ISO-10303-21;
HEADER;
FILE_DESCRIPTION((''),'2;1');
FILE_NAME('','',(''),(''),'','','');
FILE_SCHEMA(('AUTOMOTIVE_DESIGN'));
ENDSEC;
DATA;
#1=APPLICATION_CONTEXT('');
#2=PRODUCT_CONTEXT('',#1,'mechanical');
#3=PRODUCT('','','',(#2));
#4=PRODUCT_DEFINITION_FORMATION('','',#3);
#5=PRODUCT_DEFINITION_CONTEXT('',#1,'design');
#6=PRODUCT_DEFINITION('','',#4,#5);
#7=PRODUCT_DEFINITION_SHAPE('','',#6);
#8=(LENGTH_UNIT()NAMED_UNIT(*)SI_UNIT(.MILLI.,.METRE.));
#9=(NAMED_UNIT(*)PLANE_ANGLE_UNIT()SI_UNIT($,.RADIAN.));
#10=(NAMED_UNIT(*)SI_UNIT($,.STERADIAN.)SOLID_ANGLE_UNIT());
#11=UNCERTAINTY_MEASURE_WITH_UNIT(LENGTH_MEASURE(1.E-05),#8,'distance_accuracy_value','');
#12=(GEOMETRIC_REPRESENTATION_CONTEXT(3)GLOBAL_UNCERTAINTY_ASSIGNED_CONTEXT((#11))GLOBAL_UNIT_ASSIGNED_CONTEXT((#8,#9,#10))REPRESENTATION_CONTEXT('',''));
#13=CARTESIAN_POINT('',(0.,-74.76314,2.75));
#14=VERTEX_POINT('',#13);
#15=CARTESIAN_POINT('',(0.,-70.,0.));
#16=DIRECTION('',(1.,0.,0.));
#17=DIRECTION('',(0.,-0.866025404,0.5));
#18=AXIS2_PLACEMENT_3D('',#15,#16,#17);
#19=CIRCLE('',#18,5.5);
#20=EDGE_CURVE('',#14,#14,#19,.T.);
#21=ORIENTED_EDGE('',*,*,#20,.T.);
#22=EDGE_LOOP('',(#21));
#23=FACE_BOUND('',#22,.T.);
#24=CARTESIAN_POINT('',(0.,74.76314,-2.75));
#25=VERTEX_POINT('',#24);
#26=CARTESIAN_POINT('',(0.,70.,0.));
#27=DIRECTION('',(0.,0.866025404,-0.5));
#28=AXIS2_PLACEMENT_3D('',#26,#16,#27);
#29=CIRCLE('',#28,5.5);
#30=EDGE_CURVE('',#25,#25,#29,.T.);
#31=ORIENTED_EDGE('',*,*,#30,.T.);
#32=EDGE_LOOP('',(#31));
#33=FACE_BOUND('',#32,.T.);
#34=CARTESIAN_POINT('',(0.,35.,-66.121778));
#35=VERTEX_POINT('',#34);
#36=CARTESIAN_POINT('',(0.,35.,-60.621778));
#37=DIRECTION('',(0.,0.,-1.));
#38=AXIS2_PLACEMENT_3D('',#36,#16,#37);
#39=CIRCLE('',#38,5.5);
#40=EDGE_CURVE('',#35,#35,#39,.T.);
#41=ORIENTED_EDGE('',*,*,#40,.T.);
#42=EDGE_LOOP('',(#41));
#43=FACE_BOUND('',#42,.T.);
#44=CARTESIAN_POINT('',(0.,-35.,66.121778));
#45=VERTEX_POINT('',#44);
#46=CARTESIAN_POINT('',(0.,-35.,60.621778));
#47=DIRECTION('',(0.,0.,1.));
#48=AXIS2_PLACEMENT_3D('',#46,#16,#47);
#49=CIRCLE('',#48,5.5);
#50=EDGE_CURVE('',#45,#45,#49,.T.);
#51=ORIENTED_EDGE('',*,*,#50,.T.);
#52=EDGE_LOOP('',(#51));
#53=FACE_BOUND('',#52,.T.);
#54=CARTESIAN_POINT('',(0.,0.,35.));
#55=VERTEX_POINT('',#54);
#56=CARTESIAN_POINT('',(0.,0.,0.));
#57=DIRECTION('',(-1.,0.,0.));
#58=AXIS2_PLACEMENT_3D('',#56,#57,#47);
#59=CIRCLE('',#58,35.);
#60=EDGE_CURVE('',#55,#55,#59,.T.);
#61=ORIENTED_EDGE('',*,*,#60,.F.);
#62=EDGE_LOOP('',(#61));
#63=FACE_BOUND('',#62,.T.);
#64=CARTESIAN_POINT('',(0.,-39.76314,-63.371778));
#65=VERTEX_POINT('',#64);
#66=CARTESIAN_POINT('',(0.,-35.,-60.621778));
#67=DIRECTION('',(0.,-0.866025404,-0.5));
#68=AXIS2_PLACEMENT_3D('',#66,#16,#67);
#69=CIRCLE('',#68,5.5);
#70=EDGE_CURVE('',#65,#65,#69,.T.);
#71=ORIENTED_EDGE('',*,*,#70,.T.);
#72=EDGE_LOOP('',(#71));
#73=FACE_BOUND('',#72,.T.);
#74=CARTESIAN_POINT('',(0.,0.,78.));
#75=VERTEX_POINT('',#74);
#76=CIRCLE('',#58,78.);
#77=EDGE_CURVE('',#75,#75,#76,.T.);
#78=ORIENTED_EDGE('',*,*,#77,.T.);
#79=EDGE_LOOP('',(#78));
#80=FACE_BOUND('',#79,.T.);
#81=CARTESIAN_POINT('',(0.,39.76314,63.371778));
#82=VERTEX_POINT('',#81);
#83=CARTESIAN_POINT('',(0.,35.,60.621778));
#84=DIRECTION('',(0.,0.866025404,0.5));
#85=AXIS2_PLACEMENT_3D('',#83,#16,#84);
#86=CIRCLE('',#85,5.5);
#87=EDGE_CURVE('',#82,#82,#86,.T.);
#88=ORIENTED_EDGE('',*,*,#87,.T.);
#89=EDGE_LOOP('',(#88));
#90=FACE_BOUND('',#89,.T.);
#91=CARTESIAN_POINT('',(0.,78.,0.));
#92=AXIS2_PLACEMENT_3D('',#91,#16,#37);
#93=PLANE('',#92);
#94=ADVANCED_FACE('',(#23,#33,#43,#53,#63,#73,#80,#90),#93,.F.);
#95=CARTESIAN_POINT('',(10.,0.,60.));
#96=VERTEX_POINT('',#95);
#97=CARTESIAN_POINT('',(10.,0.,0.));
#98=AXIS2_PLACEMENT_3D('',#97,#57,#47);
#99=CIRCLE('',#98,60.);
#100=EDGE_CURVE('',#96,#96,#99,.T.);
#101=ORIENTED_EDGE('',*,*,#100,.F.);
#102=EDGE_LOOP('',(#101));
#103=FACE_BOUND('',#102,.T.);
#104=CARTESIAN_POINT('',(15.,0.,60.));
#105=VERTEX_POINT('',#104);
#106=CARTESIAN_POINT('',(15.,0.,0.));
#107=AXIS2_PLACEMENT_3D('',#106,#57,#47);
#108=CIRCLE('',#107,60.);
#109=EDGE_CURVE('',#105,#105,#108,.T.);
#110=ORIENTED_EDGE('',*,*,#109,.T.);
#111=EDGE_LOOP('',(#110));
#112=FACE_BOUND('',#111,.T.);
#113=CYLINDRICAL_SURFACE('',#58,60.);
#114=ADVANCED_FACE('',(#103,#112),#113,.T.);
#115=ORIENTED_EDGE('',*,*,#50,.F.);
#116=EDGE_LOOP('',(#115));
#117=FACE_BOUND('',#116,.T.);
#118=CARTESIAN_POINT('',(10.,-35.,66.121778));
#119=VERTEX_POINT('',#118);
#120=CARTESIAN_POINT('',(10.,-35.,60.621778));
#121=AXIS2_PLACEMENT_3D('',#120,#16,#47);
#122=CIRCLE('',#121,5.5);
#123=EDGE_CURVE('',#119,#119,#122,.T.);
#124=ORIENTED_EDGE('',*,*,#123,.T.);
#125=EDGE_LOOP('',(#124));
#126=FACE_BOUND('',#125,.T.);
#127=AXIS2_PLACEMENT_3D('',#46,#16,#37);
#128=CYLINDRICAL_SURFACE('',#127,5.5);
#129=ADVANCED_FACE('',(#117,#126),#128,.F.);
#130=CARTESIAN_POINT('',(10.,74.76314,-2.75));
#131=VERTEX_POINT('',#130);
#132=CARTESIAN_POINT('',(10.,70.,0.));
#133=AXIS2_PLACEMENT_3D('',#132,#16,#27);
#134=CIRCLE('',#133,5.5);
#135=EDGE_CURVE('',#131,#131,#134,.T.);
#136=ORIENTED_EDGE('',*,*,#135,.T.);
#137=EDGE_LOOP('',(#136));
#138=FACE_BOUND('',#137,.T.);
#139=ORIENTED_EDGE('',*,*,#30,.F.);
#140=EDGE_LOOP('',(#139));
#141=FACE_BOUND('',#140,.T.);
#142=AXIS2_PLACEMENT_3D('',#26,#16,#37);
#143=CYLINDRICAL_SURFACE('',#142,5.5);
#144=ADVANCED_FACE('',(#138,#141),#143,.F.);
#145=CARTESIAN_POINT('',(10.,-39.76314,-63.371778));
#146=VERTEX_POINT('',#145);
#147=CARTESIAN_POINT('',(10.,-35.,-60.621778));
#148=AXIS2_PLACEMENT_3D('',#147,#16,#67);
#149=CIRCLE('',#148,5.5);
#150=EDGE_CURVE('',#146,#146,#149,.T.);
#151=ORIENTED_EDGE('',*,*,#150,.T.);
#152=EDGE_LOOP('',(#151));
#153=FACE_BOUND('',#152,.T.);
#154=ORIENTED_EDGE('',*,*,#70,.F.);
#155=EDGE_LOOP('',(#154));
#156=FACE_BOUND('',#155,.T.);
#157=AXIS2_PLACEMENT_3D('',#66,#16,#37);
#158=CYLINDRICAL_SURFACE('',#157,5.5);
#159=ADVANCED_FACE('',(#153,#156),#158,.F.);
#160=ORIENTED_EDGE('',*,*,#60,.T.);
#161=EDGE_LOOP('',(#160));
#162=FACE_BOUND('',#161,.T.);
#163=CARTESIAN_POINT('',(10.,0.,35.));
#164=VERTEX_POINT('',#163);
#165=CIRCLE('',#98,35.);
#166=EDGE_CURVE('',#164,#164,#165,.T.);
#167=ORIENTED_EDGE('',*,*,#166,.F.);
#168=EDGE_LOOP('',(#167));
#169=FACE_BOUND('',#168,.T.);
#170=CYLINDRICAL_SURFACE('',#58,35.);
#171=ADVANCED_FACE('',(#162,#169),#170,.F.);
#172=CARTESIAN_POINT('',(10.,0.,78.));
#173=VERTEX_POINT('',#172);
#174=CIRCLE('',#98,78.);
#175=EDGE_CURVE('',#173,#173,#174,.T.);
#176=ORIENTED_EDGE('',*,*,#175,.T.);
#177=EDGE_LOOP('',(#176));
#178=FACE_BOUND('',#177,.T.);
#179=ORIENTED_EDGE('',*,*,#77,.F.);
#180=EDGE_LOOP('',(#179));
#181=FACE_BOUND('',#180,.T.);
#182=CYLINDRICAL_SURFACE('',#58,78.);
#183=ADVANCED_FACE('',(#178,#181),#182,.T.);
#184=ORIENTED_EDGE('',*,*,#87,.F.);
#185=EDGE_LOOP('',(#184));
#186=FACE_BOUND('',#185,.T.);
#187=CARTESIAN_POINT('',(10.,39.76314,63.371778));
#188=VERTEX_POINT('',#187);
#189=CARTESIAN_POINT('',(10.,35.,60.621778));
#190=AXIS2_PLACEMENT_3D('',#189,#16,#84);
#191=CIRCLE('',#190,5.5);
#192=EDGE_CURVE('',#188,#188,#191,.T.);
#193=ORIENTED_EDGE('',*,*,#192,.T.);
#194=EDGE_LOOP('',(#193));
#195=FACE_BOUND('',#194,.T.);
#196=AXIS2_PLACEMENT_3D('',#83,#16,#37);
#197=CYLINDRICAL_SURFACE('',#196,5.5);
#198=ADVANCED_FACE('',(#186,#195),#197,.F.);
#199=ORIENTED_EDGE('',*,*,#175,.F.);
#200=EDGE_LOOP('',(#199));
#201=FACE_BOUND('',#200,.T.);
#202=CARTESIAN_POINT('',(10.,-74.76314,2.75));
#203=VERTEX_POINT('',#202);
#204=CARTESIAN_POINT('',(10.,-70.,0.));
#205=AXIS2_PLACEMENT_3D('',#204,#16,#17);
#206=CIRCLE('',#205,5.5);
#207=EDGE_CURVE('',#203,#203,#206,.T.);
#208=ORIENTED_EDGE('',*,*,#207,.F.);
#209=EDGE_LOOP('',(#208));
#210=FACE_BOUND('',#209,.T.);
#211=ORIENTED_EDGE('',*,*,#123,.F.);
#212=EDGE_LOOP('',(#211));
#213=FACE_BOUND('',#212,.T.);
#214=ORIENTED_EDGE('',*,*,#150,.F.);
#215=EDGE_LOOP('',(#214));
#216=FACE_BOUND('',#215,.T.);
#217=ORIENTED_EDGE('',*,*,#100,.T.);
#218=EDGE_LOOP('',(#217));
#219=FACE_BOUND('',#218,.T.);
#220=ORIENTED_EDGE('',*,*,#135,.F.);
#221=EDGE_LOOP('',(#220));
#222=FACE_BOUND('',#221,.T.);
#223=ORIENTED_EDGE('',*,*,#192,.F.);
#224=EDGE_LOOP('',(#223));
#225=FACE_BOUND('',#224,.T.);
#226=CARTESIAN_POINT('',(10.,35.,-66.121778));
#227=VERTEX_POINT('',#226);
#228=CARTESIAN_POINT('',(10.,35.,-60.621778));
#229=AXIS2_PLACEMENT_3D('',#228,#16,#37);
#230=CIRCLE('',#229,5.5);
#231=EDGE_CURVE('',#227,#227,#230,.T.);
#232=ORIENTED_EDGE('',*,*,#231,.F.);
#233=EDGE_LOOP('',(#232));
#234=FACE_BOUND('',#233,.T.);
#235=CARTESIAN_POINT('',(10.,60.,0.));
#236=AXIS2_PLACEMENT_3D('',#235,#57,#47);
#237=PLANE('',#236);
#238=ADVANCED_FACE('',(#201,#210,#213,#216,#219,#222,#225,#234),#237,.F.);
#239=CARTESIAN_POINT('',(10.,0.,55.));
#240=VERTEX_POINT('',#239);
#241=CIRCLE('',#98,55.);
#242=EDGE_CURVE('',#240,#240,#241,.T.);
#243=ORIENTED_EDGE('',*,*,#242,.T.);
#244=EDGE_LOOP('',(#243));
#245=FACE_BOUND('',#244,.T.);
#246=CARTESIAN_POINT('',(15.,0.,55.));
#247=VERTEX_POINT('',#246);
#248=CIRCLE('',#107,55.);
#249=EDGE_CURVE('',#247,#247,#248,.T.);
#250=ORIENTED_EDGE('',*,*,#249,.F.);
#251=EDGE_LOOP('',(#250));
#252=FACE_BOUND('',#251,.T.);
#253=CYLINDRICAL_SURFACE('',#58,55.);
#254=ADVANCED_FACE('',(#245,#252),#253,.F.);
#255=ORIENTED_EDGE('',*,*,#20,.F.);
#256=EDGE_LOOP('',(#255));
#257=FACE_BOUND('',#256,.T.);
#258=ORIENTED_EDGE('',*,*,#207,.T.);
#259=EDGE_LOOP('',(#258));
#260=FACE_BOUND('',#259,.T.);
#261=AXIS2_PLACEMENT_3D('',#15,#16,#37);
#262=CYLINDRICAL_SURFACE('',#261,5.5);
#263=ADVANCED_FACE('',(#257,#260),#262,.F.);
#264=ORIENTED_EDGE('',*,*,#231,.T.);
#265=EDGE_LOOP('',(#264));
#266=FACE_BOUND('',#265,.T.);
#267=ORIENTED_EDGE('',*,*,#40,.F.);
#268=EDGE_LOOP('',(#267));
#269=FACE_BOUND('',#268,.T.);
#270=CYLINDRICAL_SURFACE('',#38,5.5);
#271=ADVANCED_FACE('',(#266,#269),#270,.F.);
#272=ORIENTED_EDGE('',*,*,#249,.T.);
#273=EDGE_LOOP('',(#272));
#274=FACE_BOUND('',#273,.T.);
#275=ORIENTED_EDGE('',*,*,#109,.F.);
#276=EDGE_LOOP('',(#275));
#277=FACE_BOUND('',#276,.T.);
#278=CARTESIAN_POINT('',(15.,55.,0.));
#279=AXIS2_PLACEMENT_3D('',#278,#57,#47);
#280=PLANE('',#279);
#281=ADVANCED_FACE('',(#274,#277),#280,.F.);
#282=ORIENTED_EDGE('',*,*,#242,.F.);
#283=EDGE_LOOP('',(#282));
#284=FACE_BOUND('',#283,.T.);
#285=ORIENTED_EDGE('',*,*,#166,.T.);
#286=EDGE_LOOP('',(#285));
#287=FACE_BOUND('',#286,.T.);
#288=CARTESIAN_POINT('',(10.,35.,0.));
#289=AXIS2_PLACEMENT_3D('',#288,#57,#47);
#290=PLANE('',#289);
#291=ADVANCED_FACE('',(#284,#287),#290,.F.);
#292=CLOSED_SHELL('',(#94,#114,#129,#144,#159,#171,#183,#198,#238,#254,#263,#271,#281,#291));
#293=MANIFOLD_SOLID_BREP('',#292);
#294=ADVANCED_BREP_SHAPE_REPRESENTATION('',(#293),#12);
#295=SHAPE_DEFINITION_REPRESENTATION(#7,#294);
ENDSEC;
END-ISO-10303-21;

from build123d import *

# Parameters (mm, degrees)
SKETCH2_R          = 5.5
CUT_EXTRUDE1_DEPTH = 10
CIRPATTERN1_COUNT  = 6


with BuildPart() as part:
    # Sketch1 → Revolve1 (revolve)
    with BuildSketch(Plane.XY, mode=Mode.PRIVATE) as revolve1_sk:
        Polygon((0, 78), (0, 35), (10, 35), (10, 55), (15, 55), (15, 60), (10, 60), (10, 78), align=None)
    revolve(revolve1_sk.sketch.rotate(Axis((0, 0, 0), (1, 0, 0)), 90), axis=Axis((0, 0, 0), (1, 0, 0)))

    # Sketch2 → Cut-Extrude1 (cut)
    with BuildSketch(Plane(origin=(10, 0, 0), x_dir=(0, 0, -1), z_dir=(1, 0, 0))):
        with Locations((60.621778265, 35)):
            Circle(SKETCH2_R)
    cut_extrude1 = extrude(amount=-CUT_EXTRUDE1_DEPTH, mode=Mode.SUBTRACT)

    # CirPattern1: Cut-Extrude1 ×6 about axis
    cirpattern1_axis = Axis((0, 0, 0), (1, 0, 0))
    for i in range(1, CIRPATTERN1_COUNT):
        add(cut_extrude1.rotate(cirpattern1_axis, i * 360 / CIRPATTERN1_COUNT), mode=Mode.SUBTRACT)


solid = part.part
